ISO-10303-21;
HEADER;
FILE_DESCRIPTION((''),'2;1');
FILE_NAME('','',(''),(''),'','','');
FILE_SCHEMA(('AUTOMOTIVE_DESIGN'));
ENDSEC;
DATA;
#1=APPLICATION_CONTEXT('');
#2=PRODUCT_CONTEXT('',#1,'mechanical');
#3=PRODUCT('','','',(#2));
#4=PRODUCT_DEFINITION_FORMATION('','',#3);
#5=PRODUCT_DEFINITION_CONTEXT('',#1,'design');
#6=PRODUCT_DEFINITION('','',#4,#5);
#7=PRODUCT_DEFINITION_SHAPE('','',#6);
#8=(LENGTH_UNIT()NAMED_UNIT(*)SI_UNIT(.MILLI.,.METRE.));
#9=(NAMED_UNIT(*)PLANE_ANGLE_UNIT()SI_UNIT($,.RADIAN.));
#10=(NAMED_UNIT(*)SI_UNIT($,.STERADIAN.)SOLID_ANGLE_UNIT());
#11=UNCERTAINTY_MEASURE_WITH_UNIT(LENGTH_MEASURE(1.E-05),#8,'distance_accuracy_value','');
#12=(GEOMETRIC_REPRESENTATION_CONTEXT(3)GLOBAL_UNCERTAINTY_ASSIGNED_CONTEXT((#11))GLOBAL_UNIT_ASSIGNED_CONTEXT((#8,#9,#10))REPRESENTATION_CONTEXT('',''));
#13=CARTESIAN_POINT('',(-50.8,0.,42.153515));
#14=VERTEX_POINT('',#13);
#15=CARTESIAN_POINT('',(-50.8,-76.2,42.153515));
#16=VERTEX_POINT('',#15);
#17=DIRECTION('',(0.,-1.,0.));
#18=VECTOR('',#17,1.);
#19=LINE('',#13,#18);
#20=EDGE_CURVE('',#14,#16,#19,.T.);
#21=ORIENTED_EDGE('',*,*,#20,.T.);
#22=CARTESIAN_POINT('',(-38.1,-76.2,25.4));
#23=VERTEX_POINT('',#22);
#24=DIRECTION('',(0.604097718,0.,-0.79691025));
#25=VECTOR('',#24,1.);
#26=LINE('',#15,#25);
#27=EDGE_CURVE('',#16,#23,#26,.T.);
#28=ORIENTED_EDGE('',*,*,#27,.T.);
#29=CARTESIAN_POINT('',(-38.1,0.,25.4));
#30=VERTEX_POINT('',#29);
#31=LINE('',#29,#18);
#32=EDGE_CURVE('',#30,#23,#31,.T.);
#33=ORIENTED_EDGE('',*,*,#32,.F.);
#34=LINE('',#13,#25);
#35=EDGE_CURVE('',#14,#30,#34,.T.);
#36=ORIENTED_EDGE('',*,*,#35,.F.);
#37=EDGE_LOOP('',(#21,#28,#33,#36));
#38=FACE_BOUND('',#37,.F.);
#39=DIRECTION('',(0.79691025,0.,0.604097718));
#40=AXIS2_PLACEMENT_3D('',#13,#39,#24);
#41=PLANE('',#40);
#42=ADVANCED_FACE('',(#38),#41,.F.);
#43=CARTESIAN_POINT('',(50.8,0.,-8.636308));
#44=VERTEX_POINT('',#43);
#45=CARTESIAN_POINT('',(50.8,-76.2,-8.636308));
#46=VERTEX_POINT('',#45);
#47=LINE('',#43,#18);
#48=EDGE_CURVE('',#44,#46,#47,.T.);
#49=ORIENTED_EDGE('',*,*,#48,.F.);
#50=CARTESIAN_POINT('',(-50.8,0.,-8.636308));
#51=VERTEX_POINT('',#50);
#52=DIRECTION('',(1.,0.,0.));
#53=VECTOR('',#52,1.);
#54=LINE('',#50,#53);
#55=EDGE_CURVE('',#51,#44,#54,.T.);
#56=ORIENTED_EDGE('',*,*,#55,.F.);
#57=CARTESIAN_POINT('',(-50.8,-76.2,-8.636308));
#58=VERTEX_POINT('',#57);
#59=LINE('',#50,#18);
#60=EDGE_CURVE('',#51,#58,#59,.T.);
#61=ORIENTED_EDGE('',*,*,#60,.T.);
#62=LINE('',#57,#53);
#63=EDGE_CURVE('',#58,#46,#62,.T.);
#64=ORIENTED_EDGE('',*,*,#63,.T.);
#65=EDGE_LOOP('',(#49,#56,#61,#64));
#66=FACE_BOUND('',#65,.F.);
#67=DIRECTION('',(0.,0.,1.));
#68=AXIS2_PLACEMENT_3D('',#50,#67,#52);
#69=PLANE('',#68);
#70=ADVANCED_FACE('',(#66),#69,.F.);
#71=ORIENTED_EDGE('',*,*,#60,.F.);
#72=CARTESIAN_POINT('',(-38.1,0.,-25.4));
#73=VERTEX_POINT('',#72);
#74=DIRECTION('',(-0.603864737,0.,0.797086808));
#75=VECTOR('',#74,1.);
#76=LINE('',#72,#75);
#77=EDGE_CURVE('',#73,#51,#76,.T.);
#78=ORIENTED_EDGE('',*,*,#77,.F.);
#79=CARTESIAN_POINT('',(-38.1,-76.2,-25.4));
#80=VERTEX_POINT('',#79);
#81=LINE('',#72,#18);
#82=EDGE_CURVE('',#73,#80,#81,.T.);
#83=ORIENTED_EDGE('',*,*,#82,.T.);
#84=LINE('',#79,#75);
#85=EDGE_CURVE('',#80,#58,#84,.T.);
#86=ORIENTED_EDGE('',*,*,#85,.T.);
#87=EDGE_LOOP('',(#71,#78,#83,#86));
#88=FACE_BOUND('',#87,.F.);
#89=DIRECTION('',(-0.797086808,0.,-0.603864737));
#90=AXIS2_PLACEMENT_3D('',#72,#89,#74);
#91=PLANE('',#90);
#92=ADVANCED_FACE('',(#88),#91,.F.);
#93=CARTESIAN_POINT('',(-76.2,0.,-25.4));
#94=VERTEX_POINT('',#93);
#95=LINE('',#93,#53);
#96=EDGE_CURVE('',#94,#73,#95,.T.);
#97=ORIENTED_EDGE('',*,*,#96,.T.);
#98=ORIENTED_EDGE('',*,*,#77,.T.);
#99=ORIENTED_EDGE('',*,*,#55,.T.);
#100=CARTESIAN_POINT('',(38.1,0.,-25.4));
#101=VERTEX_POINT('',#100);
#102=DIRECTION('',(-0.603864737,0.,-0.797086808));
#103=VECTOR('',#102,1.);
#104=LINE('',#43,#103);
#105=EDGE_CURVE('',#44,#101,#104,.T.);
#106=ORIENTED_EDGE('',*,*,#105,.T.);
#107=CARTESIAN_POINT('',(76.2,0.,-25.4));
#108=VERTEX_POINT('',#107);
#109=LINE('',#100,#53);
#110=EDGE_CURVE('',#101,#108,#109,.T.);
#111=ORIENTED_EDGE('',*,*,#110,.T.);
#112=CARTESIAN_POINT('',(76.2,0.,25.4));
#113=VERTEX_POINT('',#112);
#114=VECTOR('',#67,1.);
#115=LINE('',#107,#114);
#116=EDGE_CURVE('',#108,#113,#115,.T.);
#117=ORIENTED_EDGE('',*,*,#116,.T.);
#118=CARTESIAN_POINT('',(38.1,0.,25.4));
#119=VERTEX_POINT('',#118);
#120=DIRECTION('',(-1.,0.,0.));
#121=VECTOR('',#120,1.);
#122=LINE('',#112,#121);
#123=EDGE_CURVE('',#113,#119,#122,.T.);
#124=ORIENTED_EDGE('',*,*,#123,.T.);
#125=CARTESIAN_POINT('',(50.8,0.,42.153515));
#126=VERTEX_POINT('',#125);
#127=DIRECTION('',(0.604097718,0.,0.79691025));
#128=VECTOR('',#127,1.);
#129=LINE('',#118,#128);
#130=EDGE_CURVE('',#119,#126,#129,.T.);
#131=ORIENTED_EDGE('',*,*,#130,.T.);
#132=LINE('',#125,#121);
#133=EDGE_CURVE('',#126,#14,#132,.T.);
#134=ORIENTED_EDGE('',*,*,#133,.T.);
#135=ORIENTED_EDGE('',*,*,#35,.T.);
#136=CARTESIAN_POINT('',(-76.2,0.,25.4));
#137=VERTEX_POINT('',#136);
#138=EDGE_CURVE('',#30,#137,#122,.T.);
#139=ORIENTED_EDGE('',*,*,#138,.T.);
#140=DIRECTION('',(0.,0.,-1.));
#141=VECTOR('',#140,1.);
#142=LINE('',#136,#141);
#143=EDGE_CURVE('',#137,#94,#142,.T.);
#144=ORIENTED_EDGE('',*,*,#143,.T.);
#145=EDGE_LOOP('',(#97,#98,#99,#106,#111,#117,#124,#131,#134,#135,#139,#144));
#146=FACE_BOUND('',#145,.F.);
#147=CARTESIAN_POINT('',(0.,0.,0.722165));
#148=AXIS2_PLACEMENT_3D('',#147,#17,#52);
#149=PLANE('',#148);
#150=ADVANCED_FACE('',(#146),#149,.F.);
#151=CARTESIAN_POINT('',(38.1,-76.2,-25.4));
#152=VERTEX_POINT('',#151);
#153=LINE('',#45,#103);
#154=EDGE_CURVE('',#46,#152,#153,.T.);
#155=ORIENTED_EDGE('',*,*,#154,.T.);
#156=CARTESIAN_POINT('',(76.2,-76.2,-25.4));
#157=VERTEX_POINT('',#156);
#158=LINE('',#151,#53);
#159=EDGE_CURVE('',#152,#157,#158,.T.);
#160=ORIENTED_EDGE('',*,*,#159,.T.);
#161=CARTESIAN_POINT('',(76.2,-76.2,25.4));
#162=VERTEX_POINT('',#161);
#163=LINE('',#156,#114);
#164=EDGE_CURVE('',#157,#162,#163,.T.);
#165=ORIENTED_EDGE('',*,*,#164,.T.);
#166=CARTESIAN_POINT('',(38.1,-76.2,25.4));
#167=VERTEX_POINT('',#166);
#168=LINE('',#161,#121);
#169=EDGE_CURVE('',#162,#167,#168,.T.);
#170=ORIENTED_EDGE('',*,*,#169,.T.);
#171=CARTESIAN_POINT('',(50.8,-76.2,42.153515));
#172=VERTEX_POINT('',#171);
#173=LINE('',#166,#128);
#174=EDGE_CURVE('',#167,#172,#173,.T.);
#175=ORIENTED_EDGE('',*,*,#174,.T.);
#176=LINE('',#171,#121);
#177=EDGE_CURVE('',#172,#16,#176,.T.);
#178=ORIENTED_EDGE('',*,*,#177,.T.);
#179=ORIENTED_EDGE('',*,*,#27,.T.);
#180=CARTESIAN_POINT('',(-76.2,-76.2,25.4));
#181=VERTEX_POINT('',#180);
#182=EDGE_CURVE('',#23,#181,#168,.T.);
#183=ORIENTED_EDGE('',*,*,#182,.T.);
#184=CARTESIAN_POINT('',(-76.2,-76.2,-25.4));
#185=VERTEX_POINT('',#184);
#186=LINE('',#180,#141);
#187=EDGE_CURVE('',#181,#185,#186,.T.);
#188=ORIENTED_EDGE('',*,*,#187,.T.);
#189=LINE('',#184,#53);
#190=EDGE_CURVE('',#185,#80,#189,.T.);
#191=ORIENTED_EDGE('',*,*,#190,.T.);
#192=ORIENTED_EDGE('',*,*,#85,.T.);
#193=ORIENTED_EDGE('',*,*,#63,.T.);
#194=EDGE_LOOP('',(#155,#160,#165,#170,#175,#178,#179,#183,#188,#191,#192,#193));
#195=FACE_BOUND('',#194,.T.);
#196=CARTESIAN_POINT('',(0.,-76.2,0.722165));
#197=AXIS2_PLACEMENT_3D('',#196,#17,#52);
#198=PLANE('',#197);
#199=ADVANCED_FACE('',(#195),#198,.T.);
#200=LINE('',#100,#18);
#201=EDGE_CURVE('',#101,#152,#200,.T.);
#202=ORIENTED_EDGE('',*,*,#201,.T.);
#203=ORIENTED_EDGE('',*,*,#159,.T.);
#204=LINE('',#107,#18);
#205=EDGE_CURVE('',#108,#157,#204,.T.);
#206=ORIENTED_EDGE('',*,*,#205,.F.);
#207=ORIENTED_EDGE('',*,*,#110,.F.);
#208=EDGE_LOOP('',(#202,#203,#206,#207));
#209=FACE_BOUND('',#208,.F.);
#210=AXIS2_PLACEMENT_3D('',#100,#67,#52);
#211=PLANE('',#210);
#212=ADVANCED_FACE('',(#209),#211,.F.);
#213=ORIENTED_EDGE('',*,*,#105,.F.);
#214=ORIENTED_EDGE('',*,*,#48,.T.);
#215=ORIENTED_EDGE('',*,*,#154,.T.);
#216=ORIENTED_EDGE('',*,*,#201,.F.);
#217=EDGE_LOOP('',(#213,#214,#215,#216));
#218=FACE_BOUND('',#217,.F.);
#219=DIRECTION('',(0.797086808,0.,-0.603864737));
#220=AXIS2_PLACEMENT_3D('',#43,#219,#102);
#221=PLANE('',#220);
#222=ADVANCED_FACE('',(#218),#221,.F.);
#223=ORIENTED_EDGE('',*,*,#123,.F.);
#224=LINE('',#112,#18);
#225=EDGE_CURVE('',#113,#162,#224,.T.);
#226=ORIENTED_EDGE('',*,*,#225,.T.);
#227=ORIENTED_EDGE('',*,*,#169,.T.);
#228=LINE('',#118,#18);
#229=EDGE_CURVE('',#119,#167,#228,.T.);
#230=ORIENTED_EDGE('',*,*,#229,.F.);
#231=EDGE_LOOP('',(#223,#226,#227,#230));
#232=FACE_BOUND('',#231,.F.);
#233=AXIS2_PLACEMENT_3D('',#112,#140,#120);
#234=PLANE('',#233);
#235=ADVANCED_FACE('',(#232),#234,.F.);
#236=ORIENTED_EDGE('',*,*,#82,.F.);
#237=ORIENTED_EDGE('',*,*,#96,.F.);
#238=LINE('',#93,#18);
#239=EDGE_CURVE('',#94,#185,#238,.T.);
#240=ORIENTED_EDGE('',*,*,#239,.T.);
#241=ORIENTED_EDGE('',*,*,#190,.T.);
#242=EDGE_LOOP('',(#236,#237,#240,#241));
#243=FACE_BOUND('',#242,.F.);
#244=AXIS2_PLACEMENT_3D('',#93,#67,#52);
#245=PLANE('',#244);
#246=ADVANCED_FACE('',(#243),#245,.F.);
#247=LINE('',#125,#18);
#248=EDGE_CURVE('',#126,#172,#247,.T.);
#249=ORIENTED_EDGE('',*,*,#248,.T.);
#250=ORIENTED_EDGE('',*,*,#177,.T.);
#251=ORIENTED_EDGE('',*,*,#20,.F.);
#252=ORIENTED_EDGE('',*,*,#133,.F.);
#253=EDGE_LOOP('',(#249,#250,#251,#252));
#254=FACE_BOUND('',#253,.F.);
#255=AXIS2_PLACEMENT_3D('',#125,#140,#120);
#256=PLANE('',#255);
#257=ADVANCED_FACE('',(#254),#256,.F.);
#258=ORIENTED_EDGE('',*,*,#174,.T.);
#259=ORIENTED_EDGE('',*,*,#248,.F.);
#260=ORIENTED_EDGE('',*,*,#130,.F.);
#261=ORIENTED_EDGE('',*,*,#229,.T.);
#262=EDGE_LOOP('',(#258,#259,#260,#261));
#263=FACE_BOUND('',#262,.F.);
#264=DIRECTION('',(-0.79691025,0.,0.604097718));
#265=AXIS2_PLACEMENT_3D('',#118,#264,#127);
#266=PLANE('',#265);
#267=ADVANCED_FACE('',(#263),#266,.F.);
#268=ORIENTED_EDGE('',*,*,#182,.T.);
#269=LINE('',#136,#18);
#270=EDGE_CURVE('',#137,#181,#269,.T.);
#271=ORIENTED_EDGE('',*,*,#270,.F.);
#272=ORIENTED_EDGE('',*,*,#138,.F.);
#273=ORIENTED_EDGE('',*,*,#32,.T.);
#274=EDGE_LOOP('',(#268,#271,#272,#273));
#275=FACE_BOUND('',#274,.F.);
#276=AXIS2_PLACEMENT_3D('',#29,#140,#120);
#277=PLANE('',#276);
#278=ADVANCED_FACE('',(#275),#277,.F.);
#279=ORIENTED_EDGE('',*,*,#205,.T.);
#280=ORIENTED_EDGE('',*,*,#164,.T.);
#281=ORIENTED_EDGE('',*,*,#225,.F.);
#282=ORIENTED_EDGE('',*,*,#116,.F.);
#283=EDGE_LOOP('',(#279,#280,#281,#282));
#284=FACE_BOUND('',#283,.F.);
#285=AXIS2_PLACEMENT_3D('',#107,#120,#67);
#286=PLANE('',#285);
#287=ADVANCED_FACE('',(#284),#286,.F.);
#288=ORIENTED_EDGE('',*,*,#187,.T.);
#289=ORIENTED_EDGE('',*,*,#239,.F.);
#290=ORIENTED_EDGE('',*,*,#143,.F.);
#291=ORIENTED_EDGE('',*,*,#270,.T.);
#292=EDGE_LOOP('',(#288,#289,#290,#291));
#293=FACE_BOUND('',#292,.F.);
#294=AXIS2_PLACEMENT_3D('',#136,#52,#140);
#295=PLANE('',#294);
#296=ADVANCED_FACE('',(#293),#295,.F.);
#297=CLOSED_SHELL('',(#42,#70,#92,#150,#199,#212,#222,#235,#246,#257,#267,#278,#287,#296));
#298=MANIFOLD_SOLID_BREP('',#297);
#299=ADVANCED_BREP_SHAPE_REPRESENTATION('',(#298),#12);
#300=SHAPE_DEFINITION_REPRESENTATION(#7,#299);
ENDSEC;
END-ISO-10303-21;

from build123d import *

# Parameters (mm, degrees)
F1_DEPTH = 76.2


with BuildPart() as f1:
    # F0 (on Front) → F1 (new body)
    with BuildSketch(Plane.XZ):
        Polygon((-38.1, 25.4), (-76.2, 25.4), (-76.2, -25.4), (-38.1, -25.4), (-50.8, -8.636308), (50.8, -8.636308), (38.1, -25.4), (76.2, -25.4), (76.2, 25.4), (38.1, 25.4), align=None)
        Polygon((-50.8, 42.153515), (-38.1, 25.4), (38.1, 25.4), (50.8, 42.153515), align=None)
    extrude(amount=F1_DEPTH)


solid = f1.part
